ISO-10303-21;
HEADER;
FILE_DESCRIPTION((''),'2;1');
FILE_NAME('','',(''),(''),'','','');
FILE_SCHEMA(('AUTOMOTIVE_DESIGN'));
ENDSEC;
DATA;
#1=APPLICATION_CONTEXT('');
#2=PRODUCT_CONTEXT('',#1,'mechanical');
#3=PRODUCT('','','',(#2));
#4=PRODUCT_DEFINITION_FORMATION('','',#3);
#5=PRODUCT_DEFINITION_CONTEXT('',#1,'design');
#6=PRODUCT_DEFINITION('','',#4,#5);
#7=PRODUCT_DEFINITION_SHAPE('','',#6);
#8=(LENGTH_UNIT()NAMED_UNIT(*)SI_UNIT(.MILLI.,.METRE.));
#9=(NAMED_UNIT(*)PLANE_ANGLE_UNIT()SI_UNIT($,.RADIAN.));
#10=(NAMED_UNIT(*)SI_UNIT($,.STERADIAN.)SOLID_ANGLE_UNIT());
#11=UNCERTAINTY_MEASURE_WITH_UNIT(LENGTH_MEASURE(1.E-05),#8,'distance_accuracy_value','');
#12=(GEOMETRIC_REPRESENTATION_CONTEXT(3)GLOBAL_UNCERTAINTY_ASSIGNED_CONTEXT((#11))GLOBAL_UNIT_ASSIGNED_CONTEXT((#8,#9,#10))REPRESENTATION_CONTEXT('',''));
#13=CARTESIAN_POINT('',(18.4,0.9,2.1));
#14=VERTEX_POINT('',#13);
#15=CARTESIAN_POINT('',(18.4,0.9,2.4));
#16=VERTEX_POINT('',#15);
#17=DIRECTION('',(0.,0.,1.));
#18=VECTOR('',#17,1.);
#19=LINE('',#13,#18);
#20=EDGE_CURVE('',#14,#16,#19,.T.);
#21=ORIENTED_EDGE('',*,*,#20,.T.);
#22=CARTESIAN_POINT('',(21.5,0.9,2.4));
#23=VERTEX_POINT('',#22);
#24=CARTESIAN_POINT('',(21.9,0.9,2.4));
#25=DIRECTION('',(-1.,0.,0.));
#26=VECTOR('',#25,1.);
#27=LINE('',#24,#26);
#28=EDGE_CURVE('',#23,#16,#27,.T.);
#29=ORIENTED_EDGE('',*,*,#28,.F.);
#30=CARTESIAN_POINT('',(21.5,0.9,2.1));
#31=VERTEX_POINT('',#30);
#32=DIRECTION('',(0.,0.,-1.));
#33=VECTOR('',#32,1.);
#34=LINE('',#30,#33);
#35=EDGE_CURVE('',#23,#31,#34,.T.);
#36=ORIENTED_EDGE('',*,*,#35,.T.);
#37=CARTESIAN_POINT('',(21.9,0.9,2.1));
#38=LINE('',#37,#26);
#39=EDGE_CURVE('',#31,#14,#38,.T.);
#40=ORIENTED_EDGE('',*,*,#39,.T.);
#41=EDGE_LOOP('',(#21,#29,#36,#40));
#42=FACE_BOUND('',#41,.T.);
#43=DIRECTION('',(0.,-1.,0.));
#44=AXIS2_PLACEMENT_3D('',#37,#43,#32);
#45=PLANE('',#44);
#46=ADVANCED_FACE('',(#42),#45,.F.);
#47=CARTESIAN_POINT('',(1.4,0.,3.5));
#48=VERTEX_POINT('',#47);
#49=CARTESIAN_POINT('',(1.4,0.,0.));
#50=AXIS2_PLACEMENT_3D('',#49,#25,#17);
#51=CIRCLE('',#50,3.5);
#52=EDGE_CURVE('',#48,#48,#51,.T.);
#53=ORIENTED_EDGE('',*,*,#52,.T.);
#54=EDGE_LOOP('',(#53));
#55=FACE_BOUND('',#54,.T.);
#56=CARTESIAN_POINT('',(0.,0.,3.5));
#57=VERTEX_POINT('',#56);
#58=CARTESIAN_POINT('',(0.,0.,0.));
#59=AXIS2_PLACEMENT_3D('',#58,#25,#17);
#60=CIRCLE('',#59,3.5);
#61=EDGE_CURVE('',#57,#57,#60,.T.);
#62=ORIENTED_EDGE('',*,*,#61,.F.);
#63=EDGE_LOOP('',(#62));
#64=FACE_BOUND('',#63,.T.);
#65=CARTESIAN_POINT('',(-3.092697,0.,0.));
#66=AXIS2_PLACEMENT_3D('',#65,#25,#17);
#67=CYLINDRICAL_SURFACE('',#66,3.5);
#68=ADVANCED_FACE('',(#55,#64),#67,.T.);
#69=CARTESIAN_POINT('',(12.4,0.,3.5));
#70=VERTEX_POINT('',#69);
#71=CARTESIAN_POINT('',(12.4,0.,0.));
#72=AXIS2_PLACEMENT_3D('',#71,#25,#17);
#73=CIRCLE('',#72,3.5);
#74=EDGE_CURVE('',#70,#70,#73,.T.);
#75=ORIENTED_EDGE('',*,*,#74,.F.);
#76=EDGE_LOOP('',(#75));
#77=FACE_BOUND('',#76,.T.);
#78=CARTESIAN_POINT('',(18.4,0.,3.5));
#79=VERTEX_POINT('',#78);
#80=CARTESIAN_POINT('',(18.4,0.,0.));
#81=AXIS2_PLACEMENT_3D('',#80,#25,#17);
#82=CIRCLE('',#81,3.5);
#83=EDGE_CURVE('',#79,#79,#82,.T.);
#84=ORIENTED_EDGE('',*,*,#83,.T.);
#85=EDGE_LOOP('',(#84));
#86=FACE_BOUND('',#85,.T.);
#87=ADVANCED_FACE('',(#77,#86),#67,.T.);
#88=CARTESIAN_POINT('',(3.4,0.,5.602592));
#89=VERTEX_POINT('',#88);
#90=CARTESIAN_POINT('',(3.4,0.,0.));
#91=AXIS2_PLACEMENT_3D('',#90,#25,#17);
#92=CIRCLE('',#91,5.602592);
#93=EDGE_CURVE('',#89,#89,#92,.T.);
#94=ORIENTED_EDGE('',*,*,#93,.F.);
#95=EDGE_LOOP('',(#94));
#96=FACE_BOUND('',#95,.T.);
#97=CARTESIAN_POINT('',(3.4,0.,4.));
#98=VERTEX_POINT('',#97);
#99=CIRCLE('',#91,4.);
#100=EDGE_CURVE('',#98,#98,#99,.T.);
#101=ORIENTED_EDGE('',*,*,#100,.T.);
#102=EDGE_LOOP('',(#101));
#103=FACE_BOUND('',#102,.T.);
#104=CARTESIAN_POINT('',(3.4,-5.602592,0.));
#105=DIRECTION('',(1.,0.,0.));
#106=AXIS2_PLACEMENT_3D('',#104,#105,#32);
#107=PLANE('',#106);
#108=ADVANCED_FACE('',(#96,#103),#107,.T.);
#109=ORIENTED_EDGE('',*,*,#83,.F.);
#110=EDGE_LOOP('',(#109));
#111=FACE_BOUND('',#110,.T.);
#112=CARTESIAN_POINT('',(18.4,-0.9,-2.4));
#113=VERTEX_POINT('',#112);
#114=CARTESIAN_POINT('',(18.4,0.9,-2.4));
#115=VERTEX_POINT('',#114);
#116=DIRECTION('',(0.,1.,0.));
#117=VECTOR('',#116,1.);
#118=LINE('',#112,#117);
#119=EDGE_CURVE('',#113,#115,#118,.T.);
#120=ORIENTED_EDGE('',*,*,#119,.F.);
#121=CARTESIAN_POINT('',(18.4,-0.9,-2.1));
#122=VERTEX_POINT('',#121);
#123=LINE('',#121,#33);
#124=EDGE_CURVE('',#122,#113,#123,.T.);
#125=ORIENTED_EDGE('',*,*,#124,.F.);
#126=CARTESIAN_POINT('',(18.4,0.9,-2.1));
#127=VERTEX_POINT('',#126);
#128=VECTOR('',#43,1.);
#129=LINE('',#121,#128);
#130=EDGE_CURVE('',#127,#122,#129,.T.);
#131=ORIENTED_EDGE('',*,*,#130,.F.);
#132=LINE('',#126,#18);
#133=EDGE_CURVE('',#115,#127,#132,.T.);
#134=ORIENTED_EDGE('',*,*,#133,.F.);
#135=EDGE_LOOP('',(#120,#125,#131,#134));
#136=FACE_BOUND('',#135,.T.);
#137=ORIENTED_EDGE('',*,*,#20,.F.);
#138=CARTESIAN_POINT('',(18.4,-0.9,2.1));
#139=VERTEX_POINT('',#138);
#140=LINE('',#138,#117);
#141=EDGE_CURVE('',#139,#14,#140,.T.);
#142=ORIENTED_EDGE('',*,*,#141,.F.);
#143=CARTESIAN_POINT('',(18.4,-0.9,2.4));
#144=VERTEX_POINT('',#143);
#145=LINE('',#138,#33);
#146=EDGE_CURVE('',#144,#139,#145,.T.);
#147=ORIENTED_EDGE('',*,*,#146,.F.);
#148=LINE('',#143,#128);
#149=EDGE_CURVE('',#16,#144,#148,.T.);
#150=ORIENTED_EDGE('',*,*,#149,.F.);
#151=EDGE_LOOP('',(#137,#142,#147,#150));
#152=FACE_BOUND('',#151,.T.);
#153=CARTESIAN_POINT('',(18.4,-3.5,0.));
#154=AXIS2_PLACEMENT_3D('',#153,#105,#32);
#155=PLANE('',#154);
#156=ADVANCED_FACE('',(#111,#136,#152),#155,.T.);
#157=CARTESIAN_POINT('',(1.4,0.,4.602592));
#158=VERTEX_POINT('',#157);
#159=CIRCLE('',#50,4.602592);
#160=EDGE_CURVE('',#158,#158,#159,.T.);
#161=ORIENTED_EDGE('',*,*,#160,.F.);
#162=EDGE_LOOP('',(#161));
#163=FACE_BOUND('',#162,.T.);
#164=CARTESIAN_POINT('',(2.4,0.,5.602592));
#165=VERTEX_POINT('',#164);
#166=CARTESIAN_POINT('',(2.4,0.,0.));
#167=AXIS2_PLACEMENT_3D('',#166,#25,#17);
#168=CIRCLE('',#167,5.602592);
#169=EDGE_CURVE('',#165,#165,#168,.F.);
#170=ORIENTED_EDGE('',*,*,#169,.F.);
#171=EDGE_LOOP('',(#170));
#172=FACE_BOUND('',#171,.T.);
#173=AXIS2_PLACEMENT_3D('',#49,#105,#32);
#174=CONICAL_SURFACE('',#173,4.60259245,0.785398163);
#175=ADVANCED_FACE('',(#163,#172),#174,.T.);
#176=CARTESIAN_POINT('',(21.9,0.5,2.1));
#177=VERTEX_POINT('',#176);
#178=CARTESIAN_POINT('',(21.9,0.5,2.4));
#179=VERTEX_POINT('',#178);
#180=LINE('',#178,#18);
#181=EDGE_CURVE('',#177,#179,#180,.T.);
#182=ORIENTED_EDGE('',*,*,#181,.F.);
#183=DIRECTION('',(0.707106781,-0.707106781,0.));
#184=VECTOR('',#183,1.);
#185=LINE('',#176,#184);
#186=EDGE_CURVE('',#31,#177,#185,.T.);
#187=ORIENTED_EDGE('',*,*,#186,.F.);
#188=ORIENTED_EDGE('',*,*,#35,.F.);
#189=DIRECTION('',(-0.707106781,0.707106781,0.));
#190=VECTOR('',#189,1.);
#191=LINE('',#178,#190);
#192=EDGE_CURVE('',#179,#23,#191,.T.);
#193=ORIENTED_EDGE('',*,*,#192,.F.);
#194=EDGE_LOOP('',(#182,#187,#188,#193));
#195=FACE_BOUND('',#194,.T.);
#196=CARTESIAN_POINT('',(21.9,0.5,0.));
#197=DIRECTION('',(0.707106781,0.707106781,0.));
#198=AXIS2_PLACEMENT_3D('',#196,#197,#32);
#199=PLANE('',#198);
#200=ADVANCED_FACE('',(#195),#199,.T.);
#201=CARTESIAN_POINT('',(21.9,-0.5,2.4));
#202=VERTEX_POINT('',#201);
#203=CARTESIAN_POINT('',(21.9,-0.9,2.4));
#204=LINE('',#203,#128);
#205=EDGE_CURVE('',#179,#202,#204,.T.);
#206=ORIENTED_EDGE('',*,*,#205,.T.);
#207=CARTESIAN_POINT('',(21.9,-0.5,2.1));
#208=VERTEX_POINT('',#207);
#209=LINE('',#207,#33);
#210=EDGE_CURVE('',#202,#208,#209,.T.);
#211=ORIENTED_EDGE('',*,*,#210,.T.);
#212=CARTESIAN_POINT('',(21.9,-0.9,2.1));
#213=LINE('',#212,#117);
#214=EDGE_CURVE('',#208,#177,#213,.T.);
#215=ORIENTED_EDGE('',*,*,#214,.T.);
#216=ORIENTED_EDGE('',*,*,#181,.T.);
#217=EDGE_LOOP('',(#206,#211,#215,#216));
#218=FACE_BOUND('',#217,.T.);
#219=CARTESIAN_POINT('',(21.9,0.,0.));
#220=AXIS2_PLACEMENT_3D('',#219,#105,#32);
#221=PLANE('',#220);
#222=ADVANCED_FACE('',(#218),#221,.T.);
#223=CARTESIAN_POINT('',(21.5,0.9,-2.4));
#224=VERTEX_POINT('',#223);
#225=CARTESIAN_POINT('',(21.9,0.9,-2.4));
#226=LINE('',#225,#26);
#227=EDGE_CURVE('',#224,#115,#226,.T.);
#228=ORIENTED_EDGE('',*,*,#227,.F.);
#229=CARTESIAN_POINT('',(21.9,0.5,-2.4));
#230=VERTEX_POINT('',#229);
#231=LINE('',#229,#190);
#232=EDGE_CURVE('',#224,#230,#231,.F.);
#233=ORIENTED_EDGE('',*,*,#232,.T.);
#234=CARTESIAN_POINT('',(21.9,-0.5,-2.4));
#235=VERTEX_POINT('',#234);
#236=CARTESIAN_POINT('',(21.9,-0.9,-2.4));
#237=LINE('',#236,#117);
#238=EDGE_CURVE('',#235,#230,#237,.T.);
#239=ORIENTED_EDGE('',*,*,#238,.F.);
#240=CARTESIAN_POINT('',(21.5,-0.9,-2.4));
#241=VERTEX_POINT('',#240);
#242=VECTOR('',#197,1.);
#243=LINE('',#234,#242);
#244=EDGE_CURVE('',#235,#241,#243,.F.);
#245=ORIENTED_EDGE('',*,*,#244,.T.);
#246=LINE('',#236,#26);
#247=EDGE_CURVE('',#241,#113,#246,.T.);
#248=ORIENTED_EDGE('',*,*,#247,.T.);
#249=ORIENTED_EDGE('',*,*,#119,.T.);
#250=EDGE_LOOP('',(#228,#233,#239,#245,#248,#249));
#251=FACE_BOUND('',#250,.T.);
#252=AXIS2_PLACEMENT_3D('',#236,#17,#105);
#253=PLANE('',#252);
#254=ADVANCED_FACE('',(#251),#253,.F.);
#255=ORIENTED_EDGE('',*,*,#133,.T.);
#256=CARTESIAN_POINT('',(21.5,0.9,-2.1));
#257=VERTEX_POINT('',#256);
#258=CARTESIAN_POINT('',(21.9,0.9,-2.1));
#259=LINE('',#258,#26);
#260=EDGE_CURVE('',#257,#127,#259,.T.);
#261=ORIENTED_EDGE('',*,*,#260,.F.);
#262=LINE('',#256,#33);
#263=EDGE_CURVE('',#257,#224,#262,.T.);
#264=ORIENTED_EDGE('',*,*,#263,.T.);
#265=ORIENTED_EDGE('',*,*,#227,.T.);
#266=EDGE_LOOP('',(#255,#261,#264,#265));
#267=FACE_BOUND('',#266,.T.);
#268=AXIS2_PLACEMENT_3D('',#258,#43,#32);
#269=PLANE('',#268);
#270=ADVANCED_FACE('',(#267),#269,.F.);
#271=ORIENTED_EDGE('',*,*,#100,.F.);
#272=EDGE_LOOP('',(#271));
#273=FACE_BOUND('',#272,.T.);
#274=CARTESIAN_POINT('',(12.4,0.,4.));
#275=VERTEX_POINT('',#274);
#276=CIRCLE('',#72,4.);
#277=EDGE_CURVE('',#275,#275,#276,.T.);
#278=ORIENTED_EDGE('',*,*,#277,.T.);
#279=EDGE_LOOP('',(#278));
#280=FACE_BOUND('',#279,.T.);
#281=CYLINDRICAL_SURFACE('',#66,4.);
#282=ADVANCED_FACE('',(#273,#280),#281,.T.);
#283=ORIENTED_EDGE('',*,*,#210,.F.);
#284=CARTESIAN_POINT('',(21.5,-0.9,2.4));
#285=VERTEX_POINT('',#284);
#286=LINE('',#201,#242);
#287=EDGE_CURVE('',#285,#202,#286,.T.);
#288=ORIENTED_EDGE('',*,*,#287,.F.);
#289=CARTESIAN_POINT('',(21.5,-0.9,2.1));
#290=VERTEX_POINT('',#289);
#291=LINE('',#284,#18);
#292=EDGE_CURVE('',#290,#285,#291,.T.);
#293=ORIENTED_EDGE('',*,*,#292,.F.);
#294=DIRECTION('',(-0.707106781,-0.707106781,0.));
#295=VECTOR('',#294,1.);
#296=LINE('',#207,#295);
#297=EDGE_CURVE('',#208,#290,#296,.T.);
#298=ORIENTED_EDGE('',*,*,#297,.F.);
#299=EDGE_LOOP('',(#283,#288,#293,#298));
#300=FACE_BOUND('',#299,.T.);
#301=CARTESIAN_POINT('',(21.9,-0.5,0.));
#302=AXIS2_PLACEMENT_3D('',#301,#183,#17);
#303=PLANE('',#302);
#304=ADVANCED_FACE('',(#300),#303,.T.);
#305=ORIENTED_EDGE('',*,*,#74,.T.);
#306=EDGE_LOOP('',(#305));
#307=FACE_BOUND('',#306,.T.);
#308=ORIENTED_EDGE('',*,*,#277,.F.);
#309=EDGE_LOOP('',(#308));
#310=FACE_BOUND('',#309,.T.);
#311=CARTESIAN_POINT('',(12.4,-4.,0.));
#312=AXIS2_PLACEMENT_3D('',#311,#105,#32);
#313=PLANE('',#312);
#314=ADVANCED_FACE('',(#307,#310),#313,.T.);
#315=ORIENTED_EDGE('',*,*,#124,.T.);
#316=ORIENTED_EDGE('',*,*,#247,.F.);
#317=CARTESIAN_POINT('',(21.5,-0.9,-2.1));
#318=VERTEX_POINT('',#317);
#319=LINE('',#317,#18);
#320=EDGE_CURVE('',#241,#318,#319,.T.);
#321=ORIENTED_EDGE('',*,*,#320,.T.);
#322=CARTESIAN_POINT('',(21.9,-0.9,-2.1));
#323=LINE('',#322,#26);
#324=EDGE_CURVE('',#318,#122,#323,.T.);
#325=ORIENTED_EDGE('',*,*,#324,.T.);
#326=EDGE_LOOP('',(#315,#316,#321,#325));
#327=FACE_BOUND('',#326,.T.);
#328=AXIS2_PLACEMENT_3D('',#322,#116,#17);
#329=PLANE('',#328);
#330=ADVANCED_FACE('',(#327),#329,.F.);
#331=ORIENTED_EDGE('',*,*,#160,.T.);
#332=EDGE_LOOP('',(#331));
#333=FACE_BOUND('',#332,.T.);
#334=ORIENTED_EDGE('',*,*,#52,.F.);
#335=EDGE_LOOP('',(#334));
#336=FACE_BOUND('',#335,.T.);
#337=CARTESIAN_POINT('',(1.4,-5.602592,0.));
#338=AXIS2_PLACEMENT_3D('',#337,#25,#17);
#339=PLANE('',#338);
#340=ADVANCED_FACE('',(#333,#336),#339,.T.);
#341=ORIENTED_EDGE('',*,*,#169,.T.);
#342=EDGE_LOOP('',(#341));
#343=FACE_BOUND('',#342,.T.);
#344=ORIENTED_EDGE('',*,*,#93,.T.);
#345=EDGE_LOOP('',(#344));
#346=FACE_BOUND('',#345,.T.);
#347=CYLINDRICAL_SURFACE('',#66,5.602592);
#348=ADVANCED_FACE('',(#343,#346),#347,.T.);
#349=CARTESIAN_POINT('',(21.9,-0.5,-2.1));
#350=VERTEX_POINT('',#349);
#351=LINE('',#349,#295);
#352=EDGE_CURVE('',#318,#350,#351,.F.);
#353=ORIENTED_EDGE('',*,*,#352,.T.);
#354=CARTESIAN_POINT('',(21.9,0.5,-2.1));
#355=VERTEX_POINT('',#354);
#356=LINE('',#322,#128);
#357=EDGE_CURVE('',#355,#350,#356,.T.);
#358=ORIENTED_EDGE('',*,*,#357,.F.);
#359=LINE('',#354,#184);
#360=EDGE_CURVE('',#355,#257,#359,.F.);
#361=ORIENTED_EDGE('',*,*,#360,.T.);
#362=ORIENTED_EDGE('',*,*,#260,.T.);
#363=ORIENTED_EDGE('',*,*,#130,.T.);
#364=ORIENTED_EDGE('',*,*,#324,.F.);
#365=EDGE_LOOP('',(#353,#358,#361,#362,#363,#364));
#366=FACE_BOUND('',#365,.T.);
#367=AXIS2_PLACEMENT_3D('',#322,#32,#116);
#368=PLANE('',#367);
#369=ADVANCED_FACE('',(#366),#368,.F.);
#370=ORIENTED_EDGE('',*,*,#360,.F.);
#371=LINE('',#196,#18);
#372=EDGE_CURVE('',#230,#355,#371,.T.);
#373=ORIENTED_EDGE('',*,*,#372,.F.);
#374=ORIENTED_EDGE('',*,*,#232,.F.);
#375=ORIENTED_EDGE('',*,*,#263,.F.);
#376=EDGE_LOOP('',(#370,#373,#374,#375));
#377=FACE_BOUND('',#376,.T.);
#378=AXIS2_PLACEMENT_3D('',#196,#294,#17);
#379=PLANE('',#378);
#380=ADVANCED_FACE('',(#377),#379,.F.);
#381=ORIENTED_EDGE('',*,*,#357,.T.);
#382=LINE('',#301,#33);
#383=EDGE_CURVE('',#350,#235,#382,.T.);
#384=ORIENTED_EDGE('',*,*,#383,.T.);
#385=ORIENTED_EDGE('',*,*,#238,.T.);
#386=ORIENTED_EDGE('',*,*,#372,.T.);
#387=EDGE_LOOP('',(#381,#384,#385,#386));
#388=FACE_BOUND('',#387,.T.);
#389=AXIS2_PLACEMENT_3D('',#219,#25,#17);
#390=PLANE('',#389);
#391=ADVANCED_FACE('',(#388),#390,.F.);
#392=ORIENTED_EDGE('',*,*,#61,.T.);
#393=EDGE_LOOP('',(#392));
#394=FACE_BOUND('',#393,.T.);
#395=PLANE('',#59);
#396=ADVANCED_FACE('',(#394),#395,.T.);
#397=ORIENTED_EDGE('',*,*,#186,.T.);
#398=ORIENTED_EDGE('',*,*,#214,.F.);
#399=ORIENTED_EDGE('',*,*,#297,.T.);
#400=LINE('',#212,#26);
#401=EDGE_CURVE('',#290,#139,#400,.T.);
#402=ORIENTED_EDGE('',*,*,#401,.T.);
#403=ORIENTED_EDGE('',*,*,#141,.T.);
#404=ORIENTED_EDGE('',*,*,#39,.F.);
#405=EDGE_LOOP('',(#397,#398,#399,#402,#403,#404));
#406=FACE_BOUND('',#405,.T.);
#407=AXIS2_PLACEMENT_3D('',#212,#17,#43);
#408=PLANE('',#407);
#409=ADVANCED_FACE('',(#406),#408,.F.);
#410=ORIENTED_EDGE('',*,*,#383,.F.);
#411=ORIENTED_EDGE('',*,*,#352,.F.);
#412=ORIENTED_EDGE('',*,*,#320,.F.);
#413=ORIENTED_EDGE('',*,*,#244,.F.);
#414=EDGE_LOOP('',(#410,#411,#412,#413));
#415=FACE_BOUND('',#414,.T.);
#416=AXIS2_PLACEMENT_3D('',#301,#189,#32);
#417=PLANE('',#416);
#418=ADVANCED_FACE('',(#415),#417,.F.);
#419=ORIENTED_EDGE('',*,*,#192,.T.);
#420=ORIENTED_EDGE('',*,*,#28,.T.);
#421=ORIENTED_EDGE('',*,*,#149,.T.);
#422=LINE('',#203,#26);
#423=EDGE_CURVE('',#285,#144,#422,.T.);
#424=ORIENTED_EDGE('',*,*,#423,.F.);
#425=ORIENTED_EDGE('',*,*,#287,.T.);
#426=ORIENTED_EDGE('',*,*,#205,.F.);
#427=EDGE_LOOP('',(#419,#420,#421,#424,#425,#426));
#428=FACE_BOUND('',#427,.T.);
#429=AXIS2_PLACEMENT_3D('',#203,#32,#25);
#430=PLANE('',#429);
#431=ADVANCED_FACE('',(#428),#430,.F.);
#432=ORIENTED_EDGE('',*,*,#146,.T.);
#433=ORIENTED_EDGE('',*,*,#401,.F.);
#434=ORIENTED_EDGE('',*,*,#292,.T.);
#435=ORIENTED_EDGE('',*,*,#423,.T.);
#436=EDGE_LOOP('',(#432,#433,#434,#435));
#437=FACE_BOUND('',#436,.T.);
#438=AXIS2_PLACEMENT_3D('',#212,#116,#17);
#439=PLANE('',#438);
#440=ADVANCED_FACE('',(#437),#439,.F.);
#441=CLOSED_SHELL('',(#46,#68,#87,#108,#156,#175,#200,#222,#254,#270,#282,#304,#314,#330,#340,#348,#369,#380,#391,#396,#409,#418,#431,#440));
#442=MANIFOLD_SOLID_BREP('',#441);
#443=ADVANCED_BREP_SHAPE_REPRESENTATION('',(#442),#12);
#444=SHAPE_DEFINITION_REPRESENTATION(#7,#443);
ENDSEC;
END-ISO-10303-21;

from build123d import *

# Parameters (mm, degrees)
CHAMFER_1_SIZE  = 1
SKETCH_4_W      = 0.3
SKETCH_4_H      = 1.8
EXTRUDE_1_DEPTH = 3.5
CHAMFER_2_SIZE  = 0.4


with BuildPart() as part:
    # 草图2 → 旋转2 (revolve)
    with BuildSketch(Plane.XY, mode=Mode.PRIVATE) as revolve_2_sk:
        Polygon((0, 0), (0, -3.5), (1.4, -3.5), (1.4, -5.60259245), (3.4, -5.60259245), (3.4, -4), (12.4, -4), (12.4, -3.5), (18.4, -3.5), (18.4, 0), align=None)
    revolve(revolve_2_sk.sketch.rotate(Axis((-3.092696523, 0, 0), (1, 0, 0)), 270), axis=Axis((-3.092696523, 0, 0), (1, 0, 0)))

    # 倒角1
    chamfer_1_edges = [part.edges().sort_by_distance(p)[0] for p in [
        (1.4, 0, -5.60259245),
    ]]
    chamfer(chamfer_1_edges, length=CHAMFER_1_SIZE)

    # 草图4 → 凸台-拉伸1 (add)
    with BuildSketch(Plane(origin=(18.4, 0, 0), x_dir=(0, 0, -1), z_dir=(1, 0, 0))):
        with Locations((-2.25, 0)):
            Rectangle(SKETCH_4_W, SKETCH_4_H)
        with Locations((2.25, 0)):
            Rectangle(SKETCH_4_W, SKETCH_4_H)
    extrude(amount=EXTRUDE_1_DEPTH)

    # 倒角2
    chamfer_2_edges = [part.edges().sort_by_distance(p)[0] for p in [
        (21.9, -0.9, 2.25),
        (21.9, 0.9, 2.25),
        (21.9, -0.9, -2.25),
        (21.9, 0.9, -2.25),
    ]]
    chamfer(chamfer_2_edges, length=CHAMFER_2_SIZE)


solid = part.part
